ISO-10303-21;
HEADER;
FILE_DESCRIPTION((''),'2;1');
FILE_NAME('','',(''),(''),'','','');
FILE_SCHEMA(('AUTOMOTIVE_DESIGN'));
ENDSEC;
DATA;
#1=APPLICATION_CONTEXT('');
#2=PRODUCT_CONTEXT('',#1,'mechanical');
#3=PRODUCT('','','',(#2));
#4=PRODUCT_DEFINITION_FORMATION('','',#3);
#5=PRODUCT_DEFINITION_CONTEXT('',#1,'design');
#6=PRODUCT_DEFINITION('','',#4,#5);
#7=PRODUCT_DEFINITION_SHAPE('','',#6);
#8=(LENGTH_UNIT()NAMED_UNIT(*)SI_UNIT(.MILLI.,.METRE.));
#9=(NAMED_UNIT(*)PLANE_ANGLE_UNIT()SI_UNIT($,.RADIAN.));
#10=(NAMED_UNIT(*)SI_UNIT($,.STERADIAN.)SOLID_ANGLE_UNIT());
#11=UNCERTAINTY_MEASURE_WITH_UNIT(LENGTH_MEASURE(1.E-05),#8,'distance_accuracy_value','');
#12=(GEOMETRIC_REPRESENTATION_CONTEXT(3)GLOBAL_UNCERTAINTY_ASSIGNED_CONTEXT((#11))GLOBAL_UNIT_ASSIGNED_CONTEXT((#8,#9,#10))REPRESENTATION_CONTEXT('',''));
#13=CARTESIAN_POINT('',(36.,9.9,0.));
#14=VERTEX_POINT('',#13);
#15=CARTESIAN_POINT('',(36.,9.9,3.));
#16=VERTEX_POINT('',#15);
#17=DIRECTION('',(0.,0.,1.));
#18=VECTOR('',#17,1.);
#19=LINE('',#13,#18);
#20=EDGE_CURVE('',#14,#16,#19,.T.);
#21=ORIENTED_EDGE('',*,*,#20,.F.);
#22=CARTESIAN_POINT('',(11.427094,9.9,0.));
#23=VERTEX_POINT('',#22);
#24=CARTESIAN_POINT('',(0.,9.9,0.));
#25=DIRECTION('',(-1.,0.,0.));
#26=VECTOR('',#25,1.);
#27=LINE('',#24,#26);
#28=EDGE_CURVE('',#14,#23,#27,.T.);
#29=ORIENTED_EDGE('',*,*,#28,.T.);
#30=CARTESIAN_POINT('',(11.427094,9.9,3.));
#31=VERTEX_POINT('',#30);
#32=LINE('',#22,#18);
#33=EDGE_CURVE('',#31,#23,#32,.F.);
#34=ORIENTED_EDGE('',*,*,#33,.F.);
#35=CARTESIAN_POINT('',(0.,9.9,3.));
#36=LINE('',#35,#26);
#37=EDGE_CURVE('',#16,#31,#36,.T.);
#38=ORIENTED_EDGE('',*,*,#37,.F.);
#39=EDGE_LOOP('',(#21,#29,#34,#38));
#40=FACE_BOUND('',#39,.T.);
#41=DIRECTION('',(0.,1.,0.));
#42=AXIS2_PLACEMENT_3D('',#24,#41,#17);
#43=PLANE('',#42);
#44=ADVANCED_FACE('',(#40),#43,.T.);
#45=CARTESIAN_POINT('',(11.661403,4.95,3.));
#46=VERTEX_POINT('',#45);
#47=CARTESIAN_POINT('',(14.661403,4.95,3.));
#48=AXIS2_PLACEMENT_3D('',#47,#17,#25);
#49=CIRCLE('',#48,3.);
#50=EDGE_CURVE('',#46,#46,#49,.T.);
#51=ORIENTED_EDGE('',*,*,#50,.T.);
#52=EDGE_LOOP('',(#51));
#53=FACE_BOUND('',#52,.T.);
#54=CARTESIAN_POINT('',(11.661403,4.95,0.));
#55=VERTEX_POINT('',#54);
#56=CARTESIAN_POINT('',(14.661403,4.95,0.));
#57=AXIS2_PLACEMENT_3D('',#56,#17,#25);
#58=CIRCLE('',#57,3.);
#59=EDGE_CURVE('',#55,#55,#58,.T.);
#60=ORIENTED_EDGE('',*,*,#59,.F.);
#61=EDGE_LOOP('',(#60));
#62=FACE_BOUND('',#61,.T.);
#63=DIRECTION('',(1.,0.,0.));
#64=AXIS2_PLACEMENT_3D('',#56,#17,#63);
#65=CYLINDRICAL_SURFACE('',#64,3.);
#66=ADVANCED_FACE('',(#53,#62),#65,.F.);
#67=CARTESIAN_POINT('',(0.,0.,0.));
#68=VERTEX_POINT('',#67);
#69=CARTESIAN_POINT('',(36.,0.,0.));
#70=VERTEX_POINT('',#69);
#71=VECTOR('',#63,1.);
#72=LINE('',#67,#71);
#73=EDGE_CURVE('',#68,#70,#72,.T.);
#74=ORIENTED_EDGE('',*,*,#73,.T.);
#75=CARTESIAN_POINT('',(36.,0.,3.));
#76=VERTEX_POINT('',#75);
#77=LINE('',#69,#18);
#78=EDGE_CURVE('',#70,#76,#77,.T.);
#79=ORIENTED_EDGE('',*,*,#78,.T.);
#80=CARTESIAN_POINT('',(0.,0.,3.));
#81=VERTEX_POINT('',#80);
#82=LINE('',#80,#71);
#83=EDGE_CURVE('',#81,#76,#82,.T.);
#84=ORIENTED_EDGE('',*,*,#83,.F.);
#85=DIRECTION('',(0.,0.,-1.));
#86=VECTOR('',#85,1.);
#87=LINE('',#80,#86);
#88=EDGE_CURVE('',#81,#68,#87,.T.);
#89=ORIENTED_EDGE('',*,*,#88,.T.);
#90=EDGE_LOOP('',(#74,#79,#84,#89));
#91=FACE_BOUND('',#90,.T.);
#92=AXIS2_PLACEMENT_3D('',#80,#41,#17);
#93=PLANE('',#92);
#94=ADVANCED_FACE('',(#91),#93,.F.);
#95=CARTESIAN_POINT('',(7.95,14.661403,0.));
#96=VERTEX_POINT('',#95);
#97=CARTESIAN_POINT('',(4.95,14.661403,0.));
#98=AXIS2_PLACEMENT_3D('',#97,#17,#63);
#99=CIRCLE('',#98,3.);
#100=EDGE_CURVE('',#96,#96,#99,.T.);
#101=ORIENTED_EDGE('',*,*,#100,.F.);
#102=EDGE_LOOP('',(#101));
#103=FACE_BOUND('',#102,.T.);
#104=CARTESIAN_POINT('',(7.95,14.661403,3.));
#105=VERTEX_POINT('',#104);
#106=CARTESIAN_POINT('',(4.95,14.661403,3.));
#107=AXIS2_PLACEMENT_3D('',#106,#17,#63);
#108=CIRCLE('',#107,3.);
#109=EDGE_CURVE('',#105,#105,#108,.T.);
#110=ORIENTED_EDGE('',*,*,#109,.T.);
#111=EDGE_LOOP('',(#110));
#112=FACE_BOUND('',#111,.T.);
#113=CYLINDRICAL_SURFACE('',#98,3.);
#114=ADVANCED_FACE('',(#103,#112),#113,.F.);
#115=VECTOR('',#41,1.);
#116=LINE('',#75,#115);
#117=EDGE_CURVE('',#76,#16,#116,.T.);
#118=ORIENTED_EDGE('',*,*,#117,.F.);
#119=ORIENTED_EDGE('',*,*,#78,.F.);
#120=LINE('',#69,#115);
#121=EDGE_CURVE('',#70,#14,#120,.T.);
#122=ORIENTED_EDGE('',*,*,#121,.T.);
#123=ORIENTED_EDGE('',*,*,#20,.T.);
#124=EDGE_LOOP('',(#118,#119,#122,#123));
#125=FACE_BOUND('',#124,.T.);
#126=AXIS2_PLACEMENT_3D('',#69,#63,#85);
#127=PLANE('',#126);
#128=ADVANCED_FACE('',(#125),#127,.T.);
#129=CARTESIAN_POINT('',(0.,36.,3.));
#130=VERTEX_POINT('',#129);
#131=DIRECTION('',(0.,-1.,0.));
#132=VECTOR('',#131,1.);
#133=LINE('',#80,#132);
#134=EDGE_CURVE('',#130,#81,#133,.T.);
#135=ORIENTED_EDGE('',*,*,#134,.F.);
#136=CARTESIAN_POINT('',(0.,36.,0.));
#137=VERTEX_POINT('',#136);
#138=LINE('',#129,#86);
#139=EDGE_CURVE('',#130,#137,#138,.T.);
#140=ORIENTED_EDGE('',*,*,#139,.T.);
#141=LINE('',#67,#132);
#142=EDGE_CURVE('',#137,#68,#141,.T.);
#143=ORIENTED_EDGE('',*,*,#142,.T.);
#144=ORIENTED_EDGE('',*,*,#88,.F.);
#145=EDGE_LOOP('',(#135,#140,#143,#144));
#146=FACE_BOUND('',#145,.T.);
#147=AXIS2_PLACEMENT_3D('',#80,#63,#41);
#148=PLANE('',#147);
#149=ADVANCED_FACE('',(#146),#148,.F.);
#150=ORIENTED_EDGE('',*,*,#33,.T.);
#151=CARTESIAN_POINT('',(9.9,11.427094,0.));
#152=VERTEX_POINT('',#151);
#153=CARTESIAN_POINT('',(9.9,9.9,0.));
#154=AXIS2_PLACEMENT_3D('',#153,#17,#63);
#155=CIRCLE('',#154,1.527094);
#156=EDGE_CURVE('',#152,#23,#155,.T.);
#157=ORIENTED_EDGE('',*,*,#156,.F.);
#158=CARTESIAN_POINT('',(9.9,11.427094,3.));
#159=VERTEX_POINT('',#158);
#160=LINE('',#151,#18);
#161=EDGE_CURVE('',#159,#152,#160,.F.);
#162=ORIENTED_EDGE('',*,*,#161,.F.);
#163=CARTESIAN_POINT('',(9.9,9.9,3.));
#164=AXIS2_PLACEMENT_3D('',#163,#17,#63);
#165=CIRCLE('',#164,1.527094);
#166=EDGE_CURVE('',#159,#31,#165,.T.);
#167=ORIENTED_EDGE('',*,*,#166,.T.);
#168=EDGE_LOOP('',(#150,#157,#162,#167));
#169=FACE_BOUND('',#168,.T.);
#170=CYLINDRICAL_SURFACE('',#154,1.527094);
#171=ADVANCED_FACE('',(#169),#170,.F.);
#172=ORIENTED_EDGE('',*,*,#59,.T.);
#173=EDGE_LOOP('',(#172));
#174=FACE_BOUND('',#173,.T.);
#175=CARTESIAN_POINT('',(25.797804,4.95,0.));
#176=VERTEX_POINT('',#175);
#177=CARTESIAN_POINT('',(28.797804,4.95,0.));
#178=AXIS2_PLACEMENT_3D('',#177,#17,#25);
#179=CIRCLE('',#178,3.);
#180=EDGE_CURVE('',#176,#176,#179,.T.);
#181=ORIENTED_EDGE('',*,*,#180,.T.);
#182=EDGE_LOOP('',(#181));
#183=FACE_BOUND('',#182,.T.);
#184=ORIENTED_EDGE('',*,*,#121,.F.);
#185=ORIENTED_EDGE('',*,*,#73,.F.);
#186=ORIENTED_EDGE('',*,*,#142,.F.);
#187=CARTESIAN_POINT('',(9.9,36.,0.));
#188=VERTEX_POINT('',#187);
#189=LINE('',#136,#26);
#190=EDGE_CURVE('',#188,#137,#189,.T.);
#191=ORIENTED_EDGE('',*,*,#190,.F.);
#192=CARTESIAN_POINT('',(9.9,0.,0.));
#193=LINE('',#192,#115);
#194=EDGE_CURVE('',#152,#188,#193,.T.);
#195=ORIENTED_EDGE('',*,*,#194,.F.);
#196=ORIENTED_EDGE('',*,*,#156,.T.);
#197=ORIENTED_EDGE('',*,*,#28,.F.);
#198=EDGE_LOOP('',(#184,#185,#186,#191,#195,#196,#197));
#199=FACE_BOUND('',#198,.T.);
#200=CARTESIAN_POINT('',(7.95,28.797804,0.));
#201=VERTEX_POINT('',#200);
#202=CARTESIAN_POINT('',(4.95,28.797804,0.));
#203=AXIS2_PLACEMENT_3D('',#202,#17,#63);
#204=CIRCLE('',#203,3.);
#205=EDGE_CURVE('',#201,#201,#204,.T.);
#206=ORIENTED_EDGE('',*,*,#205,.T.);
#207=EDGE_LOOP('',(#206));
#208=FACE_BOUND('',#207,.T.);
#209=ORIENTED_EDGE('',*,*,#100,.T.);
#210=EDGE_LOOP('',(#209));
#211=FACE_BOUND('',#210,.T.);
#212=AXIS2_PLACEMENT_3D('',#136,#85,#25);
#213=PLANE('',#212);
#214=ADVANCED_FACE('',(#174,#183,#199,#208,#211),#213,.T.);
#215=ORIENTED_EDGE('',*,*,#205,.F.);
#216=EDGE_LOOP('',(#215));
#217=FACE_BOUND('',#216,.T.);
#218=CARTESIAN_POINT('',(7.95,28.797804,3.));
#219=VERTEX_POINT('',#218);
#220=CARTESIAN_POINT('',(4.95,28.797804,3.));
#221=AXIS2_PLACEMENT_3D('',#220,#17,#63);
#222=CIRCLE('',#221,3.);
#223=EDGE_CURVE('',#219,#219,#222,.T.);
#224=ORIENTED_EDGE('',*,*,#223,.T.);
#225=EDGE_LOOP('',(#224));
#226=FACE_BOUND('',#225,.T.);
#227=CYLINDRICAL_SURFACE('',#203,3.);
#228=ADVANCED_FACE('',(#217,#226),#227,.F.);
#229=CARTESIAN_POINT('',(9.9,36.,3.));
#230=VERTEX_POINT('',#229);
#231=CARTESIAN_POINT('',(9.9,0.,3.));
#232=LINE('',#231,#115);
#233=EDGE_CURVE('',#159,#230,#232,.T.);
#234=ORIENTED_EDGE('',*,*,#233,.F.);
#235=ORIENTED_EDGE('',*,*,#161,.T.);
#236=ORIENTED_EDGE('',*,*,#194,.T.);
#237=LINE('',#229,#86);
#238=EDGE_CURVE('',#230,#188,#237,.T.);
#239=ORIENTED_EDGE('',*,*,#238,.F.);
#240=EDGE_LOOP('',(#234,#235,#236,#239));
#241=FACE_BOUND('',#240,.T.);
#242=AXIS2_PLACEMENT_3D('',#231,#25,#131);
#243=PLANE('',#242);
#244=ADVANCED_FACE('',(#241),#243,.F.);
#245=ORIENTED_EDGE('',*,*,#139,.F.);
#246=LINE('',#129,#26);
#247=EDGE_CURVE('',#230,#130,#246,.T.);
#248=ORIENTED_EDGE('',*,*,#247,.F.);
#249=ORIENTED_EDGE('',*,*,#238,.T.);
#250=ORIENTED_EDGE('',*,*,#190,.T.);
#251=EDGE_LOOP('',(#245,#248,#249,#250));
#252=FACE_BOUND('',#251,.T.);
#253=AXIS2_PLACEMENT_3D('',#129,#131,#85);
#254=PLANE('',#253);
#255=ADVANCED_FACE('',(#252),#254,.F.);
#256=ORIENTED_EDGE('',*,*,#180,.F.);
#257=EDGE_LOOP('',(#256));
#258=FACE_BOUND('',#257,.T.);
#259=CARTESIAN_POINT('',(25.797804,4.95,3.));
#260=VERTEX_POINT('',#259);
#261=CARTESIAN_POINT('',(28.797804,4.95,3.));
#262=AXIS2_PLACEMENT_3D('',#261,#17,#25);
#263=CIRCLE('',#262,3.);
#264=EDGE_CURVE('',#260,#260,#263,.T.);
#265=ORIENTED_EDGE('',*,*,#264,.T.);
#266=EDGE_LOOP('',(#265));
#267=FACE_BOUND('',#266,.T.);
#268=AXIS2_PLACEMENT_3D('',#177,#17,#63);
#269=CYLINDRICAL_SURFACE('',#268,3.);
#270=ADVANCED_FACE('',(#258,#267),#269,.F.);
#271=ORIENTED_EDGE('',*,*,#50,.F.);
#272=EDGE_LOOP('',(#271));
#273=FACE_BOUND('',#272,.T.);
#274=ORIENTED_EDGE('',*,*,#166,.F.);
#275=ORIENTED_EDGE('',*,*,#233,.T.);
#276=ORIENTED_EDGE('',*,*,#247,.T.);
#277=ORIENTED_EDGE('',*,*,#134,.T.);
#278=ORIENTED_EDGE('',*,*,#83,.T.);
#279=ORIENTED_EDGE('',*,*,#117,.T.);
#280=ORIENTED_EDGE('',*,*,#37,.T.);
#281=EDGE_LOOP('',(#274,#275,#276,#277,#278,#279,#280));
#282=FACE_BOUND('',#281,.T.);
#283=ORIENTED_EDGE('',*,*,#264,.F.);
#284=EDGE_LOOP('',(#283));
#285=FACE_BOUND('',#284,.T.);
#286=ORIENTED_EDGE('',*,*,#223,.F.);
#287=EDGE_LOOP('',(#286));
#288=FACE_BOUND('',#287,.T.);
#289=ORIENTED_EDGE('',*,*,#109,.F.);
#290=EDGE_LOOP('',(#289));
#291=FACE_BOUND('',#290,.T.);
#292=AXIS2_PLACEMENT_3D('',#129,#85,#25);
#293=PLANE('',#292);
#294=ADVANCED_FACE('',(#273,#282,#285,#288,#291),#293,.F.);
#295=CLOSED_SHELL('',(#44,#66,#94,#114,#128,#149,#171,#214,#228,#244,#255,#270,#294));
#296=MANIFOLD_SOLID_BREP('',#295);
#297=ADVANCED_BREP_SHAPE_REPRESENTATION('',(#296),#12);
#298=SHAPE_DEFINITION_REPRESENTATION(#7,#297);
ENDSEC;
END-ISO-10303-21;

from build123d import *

# Parameters (mm, degrees)
SKETCH_1_W          = 9.9
SKETCH_1_H          = 36
EXTRUDE_1_DEPTH     = 3
SKETCH_2_W          = 36
SKETCH_2_H          = 9.9
EXTRUDE_2_DEPTH     = 3
SKETCH_3_R          = 3
CUT_EXTRUDE_1_DEPTH = 52
SKETCH_4_R          = 1.527094442
CUT_EXTRUDE_2_DEPTH = 52


with BuildPart() as part:
    # 草图1 → 凸台-拉伸1 (new body)
    with BuildSketch(Plane.XY):
        with Locations((4.95, 18)):
            Rectangle(SKETCH_1_W, SKETCH_1_H)
    extrude(amount=EXTRUDE_1_DEPTH)

    # 草图2 → 凸台-拉伸2 (add)
    with BuildSketch(Plane.XY.offset(3)):
        with Locations((18, 4.95)):
            Rectangle(SKETCH_2_W, SKETCH_2_H)
    extrude(amount=-EXTRUDE_2_DEPTH)

    # 草图3 → 切除-拉伸1 (cut, through all)
    with BuildSketch(Plane.XY.offset(3)):
        with Locations((4.95, 28.797804346)):
            Circle(SKETCH_3_R)
        with Locations((4.95, 14.661403113)):
            Circle(SKETCH_3_R)
        with Locations(Location((14.661403113, 4.95, 0), (0, 0, 180))):
            Circle(SKETCH_3_R)
        with Locations(Location((28.797804346, 4.95, 0), (0, 0, 180))):
            Circle(SKETCH_3_R)
    extrude(amount=-CUT_EXTRUDE_1_DEPTH, mode=Mode.SUBTRACT)

    # 草图4 → 切除-拉伸2 (cut, through all)
    with BuildSketch(Plane.XY.offset(3)):
        with Locations((9.9, 9.9)):
            Circle(SKETCH_4_R)
    extrude(amount=-CUT_EXTRUDE_2_DEPTH, mode=Mode.SUBTRACT)


solid = part.part
